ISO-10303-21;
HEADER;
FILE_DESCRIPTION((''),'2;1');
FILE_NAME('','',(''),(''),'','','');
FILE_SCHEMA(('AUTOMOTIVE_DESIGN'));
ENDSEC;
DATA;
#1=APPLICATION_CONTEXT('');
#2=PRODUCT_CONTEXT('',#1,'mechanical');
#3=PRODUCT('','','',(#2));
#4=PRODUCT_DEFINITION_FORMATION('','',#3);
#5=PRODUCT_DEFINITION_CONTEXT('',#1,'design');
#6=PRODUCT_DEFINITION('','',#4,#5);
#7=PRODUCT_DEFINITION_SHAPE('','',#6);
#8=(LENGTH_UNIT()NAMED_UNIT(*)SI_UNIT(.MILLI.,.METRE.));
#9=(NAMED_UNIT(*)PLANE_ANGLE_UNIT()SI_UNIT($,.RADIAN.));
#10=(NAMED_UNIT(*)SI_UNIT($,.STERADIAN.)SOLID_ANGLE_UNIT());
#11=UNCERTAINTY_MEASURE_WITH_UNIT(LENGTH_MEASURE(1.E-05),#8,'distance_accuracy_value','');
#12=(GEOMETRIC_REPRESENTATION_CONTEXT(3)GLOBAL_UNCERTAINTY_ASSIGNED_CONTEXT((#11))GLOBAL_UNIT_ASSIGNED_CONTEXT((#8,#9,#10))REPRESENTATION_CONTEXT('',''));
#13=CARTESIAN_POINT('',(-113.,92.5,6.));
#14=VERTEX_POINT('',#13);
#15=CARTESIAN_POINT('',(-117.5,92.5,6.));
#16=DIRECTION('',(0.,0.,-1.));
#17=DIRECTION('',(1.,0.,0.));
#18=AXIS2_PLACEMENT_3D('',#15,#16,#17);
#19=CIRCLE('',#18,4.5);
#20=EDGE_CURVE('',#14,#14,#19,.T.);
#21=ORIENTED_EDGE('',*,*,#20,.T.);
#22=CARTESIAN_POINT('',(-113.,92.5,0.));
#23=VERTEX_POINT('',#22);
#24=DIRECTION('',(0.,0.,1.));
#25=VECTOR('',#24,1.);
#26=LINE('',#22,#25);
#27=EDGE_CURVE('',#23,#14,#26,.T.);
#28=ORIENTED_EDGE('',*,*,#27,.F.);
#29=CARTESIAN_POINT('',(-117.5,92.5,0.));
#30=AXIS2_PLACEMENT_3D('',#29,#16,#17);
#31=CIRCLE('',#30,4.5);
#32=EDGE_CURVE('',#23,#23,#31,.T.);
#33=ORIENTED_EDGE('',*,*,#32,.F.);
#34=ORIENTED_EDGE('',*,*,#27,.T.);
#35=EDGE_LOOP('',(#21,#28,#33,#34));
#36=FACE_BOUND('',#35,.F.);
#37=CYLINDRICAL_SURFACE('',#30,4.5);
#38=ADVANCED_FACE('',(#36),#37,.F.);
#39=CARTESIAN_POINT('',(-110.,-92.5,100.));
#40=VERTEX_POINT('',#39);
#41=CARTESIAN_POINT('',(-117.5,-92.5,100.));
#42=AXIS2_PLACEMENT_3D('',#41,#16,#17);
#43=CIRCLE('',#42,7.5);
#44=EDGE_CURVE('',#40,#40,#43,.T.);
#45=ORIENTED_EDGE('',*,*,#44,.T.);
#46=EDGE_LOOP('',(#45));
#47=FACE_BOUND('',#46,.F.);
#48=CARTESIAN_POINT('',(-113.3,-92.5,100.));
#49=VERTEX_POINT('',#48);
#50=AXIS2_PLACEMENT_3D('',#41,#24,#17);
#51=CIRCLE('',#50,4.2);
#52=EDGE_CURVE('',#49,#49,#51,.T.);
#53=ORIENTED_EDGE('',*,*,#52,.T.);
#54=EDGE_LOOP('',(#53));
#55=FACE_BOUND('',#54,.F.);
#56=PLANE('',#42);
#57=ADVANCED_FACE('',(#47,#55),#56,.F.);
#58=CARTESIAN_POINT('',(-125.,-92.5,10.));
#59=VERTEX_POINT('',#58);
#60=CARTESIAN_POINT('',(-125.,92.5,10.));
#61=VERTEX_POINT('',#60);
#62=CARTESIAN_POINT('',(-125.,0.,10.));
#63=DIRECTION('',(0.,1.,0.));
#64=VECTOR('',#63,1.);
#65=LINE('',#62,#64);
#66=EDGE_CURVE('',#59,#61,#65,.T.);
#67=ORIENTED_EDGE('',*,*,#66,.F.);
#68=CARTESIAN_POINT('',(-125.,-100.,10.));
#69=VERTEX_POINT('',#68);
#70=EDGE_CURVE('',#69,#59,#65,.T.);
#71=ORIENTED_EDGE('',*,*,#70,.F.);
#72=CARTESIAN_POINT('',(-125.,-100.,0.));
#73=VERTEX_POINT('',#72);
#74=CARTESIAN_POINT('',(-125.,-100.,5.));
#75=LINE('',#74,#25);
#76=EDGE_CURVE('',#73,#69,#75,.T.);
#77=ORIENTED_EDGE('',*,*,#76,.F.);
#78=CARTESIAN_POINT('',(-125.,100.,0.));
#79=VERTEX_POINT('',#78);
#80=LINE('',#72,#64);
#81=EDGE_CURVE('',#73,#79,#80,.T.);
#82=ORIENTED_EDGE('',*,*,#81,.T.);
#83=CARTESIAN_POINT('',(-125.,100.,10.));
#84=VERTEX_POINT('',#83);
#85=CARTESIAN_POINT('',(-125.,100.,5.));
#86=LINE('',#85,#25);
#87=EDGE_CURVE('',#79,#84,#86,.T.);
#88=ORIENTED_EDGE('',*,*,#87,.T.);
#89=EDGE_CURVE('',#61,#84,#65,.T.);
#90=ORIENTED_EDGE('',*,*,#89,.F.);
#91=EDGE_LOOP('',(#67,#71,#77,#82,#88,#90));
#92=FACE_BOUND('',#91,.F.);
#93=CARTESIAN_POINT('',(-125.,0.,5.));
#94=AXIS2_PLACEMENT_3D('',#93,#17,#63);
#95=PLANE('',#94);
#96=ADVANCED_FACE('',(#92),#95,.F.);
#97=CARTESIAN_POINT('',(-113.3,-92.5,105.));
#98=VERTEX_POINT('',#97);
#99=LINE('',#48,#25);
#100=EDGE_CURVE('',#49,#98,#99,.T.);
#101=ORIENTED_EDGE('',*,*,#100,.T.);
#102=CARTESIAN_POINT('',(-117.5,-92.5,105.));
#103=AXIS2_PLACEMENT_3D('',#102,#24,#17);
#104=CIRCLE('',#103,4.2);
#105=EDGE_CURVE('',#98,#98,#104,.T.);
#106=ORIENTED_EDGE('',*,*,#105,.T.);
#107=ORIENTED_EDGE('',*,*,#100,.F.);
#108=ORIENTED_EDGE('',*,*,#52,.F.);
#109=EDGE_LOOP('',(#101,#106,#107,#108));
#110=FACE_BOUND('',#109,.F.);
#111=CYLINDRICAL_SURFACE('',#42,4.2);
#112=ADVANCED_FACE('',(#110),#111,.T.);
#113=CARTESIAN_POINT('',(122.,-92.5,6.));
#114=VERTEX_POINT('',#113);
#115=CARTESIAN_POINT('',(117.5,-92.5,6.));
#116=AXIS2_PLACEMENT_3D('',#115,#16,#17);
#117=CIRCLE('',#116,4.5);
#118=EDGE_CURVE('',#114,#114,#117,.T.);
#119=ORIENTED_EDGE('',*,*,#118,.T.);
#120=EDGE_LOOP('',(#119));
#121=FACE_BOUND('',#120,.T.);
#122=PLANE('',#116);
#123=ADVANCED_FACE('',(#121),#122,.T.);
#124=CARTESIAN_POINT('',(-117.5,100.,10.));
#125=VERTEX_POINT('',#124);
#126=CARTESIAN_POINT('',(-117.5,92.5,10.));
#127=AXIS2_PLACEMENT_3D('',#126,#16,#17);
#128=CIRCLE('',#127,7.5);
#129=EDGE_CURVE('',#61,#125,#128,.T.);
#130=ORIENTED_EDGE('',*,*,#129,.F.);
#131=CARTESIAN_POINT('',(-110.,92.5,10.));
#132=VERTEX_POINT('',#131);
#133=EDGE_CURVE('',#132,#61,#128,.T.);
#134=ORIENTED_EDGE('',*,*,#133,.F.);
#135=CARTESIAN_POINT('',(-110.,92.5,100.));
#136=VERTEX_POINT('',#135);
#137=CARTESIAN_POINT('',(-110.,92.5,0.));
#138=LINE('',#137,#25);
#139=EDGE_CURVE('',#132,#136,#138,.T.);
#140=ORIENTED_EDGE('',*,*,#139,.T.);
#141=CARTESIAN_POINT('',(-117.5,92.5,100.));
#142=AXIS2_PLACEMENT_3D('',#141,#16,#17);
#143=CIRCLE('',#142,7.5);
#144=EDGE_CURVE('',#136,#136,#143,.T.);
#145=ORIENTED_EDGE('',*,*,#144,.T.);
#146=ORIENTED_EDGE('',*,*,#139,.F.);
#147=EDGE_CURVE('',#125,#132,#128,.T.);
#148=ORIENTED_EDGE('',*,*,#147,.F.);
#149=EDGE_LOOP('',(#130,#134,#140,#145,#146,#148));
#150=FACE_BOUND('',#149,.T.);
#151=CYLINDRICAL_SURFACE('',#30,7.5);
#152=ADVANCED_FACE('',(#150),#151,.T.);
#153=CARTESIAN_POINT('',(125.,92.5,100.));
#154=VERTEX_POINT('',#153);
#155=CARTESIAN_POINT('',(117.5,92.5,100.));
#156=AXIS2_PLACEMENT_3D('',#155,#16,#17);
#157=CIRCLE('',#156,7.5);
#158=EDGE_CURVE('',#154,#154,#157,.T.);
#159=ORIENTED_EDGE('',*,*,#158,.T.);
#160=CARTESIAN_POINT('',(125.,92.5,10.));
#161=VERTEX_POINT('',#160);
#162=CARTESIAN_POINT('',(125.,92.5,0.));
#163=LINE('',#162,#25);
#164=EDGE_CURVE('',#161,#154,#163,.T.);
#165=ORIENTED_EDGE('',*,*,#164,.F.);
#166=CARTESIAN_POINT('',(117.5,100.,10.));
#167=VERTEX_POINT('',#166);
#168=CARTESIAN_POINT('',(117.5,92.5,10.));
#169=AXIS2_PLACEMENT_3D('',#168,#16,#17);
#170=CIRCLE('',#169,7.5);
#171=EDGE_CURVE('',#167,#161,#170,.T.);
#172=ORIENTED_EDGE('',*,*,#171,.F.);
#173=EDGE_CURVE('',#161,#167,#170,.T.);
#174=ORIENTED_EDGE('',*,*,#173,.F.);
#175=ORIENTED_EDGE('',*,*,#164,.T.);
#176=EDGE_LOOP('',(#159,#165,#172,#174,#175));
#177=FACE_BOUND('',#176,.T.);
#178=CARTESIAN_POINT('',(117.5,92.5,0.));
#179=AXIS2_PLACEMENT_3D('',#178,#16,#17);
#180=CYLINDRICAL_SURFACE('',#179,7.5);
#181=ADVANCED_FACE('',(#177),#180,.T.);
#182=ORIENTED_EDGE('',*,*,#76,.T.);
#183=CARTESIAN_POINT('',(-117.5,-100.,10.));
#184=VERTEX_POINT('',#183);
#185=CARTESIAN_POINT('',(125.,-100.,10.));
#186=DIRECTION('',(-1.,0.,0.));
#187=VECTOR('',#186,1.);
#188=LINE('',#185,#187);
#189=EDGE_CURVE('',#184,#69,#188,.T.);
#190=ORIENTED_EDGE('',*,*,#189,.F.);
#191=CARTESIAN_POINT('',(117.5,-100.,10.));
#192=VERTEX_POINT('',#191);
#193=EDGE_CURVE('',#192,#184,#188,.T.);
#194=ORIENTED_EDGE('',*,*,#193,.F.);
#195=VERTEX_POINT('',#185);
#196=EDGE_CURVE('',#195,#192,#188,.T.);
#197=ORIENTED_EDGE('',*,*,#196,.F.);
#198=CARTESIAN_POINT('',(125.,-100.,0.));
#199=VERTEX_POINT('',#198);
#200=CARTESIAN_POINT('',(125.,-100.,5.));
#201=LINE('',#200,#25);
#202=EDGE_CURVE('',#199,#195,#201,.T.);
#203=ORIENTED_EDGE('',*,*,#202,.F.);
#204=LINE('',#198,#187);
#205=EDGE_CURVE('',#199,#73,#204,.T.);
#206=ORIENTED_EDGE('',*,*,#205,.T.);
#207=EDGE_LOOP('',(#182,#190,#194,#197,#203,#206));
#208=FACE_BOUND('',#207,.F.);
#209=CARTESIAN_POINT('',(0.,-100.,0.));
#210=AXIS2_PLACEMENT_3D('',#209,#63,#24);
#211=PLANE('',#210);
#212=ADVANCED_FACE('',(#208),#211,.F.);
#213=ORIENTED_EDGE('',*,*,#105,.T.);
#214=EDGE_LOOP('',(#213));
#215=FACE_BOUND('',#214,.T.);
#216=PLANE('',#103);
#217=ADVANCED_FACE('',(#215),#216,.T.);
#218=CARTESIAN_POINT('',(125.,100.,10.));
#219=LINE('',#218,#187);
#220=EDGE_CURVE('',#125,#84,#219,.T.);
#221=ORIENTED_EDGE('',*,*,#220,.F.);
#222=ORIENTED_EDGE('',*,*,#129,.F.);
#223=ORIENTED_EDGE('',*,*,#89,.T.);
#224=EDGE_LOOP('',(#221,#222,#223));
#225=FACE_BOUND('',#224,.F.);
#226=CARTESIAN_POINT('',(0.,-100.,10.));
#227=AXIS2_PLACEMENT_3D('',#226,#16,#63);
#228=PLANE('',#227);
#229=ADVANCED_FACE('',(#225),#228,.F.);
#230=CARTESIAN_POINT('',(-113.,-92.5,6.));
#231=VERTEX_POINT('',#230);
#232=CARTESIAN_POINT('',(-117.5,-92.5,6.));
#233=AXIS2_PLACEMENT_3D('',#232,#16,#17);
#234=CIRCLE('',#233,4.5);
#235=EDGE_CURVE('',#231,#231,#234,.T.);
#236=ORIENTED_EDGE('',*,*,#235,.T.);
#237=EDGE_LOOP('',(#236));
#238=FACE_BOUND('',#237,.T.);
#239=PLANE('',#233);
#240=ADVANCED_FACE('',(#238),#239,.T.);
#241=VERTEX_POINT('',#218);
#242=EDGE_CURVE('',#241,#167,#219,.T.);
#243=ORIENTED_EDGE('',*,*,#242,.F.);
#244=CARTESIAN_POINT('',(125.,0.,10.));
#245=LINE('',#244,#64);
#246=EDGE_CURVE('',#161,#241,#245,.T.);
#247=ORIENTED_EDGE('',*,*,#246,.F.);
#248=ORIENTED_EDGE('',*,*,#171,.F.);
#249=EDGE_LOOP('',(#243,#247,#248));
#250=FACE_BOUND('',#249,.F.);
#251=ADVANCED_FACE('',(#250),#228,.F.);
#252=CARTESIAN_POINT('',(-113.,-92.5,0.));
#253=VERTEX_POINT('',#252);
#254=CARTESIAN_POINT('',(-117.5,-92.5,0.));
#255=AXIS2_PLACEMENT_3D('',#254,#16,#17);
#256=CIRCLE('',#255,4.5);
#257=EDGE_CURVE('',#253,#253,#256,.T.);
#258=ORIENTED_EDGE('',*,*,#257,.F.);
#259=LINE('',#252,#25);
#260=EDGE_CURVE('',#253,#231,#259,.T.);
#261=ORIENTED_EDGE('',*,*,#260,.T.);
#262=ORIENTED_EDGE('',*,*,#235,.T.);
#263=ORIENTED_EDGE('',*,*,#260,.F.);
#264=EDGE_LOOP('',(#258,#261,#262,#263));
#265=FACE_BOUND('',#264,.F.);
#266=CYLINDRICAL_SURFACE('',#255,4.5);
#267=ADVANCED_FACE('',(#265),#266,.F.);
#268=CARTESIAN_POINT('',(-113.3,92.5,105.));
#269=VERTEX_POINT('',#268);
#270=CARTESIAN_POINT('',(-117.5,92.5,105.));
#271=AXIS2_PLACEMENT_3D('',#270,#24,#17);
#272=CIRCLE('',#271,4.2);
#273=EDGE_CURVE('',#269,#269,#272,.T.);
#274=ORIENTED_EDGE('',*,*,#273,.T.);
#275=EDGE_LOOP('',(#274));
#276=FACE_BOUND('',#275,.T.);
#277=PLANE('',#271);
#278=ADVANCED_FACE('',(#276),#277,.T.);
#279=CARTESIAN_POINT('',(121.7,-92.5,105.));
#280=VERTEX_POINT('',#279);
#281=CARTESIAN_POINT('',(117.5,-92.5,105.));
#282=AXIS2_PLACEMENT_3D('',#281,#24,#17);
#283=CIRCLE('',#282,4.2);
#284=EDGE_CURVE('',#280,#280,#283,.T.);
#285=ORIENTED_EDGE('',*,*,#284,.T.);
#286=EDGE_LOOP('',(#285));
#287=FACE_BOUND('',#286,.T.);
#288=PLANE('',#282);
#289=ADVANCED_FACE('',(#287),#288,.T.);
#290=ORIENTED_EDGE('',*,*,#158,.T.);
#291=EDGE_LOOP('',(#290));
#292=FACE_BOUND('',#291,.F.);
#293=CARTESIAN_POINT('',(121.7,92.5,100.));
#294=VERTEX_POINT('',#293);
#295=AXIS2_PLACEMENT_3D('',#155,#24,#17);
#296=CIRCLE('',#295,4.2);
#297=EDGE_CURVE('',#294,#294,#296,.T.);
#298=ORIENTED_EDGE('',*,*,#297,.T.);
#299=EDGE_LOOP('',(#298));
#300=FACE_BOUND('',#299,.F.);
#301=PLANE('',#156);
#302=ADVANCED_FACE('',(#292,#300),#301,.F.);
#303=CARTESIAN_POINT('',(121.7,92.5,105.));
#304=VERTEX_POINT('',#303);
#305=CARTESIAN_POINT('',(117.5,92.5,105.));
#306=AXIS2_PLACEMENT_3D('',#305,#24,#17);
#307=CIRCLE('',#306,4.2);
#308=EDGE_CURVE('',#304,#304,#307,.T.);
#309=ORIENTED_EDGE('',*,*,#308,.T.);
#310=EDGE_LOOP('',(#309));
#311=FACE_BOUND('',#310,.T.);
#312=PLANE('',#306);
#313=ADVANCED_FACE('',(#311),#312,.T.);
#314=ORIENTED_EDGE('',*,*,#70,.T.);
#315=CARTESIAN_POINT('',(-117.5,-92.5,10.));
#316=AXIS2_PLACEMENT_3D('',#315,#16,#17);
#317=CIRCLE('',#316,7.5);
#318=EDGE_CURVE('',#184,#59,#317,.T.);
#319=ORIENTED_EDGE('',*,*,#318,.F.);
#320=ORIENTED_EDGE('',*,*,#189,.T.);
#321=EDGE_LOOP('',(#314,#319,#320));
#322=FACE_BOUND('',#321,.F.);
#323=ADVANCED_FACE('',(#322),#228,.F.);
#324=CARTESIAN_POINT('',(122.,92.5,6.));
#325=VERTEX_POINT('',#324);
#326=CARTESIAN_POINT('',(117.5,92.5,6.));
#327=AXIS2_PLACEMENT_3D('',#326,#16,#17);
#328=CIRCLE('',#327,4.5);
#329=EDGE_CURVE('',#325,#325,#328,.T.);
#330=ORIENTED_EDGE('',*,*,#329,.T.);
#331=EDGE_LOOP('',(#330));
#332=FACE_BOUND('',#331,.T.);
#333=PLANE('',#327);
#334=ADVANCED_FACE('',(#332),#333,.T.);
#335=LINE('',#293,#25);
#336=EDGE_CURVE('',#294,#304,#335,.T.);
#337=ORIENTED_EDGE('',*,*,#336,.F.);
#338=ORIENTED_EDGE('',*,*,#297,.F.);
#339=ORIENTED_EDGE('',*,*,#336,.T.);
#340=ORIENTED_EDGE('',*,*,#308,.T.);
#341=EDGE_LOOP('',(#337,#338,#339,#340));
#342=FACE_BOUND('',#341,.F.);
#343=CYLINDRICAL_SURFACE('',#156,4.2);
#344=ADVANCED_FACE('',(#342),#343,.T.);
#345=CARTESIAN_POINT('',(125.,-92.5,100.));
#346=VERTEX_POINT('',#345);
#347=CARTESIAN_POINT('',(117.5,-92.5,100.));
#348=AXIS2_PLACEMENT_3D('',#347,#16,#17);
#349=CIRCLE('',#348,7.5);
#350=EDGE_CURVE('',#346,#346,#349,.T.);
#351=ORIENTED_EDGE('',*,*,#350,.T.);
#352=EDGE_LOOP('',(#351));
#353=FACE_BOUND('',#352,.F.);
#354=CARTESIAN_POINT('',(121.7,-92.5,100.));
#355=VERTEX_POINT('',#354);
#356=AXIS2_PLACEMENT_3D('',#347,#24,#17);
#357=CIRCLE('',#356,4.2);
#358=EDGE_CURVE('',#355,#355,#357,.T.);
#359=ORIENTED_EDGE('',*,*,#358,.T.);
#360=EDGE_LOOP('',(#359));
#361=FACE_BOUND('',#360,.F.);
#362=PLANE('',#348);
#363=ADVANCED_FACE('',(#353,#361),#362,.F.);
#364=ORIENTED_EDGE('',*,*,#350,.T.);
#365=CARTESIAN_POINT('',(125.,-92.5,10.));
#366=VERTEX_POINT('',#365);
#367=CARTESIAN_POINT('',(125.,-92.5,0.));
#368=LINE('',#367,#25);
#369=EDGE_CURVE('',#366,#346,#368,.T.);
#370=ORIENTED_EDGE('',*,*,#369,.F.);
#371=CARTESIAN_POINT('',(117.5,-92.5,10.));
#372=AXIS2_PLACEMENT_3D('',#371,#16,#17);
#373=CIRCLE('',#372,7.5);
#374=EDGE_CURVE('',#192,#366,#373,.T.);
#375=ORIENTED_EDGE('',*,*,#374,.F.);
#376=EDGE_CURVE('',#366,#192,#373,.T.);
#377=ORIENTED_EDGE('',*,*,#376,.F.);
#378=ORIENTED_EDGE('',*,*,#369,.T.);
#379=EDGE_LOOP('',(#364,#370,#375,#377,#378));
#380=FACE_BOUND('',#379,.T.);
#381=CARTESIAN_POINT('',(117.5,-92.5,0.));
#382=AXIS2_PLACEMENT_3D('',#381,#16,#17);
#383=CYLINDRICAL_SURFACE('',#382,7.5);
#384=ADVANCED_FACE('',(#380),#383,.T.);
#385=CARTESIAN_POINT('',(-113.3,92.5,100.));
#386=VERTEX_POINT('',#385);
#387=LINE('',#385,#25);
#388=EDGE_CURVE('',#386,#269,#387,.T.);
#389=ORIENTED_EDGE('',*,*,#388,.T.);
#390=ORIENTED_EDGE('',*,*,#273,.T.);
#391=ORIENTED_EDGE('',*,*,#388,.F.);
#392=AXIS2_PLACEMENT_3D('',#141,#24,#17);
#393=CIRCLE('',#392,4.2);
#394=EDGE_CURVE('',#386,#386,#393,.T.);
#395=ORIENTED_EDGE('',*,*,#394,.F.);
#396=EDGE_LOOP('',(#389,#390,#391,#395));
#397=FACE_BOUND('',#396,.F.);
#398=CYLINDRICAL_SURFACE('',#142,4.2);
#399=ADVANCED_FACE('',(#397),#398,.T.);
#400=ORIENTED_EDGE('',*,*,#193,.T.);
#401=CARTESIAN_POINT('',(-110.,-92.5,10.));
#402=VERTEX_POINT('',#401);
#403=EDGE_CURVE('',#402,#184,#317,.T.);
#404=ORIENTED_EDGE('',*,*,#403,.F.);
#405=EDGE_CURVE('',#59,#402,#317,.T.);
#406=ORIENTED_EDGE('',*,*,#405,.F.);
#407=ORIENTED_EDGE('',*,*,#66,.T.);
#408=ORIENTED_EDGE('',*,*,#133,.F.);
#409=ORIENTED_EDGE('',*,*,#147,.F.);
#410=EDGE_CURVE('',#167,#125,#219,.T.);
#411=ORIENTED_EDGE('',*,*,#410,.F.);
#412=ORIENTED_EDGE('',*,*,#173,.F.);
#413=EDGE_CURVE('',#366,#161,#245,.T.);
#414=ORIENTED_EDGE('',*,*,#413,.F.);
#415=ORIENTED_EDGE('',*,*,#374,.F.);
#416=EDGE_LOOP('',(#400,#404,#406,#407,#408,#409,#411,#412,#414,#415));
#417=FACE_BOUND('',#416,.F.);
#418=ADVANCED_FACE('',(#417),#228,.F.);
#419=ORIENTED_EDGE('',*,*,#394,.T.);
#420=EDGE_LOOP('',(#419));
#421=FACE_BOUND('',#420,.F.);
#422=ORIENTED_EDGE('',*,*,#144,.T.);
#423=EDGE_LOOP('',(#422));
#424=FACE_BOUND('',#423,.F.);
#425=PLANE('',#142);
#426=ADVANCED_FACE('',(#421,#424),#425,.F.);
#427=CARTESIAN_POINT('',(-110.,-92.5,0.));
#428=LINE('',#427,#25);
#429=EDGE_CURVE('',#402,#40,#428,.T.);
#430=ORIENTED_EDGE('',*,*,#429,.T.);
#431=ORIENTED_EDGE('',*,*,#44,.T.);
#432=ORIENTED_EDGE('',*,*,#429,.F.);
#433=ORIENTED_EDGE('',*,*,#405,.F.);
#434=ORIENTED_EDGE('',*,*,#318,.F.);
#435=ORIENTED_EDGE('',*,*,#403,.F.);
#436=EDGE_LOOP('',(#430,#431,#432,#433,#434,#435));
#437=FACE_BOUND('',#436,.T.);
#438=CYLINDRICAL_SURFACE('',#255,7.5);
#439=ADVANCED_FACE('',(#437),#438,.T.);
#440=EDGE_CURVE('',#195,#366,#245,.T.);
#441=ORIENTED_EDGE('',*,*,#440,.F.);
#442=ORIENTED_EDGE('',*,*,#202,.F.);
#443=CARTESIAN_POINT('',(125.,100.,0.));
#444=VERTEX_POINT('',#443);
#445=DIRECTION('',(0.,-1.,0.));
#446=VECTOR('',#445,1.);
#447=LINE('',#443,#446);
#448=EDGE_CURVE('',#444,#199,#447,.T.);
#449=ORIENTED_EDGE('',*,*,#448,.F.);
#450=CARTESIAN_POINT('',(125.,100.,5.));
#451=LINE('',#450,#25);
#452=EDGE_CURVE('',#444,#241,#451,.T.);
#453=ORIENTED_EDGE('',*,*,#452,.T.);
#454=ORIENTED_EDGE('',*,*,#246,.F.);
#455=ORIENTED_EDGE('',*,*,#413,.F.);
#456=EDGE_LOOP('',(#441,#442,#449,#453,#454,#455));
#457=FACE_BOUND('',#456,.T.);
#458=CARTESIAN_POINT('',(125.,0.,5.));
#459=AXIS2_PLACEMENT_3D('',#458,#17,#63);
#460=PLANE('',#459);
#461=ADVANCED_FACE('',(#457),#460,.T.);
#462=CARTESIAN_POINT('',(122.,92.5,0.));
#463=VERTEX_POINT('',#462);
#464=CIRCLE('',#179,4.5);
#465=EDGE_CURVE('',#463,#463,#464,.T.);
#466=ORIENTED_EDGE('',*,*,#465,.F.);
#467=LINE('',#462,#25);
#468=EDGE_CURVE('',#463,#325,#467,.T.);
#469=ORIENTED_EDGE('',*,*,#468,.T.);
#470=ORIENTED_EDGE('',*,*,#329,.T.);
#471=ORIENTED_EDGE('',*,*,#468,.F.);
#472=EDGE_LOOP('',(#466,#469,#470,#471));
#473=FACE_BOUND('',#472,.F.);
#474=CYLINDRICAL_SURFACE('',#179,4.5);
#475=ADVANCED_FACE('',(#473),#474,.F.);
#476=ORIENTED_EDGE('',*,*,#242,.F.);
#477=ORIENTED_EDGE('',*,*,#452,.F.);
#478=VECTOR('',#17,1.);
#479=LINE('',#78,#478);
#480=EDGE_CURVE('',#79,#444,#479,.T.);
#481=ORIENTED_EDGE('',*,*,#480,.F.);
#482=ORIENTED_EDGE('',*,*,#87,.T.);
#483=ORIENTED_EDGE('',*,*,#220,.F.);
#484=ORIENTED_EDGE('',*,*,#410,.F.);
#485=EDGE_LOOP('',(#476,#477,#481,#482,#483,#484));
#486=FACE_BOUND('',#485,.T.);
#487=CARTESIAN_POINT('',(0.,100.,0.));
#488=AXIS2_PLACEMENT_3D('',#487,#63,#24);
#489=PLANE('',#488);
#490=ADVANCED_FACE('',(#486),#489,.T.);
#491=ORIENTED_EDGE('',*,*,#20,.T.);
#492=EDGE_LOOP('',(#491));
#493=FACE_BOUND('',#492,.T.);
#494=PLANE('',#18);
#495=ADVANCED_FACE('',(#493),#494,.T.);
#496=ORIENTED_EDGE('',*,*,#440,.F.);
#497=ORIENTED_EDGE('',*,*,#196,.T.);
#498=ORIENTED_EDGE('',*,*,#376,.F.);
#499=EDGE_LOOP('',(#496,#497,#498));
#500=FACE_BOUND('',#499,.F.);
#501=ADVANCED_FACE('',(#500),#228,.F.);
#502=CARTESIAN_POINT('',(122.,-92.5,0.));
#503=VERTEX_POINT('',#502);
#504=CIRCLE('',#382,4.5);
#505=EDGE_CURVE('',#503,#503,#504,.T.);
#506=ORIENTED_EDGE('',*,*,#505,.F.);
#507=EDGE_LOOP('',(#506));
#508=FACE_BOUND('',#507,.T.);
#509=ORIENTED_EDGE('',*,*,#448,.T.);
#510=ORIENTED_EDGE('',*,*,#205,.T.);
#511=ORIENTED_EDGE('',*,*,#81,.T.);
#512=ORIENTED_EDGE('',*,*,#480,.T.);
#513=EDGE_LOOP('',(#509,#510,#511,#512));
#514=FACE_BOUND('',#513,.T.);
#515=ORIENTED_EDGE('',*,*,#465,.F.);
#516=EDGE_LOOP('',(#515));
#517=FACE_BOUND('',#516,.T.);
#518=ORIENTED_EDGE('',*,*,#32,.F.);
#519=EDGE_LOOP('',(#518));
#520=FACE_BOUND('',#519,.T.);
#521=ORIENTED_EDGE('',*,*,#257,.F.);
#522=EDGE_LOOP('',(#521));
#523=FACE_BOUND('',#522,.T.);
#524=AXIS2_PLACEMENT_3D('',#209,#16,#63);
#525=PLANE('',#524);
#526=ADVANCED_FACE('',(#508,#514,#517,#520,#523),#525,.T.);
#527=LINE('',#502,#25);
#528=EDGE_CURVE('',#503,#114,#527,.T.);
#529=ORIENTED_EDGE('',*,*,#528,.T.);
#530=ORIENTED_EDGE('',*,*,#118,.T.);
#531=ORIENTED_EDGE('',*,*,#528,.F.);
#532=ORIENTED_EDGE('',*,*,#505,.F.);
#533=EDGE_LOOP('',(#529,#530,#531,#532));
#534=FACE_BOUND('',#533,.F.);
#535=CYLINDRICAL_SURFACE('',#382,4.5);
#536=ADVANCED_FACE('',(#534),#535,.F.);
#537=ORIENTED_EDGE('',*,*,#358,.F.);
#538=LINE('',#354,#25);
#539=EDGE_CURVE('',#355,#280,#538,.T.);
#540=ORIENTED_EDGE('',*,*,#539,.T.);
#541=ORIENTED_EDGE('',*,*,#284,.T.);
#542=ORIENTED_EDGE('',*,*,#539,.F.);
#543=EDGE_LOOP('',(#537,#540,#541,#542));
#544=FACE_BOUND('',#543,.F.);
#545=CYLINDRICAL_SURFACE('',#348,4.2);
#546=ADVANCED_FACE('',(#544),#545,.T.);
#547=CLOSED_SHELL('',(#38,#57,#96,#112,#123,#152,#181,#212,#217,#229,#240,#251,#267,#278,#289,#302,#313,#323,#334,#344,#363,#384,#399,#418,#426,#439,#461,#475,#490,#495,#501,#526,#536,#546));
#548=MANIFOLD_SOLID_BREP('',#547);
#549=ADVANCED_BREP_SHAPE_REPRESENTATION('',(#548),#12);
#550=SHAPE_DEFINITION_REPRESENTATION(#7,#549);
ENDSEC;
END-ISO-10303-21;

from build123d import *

# Parameters (mm, degrees)
F2_W     = 200
F2_H     = 10
F3_DEPTH = 125
F4_R     = 7.5
F5_DEPTH = 100
F6_R     = 4.5
F7_DEPTH = 6
F8_R     = 4.2
F9_DEPTH = 5


with BuildPart() as f3:
    # F2 (on Right) → F3 (new body, symmetric)
    with BuildSketch(Plane.YZ):
        with Locations((0, 5)):
            Rectangle(F2_W, F2_H)
    extrude(amount=F3_DEPTH, both=True)

    # F4 (on face) → F5 (join)
    with BuildSketch(Plane(origin=(0, 0, 0), x_dir=(1, 0, 0), z_dir=(0, 0, -1))):
        with Locations((-117.5, -92.5)):
            Circle(F4_R)
        with Locations((117.5, -92.5)):
            Circle(F4_R)
        with Locations((117.5, 92.5)):
            Circle(F4_R)
        with Locations((-117.5, 92.5)):
            Circle(F4_R)
    extrude(amount=-F5_DEPTH)

    # F6 (on face) → F7 (cut)
    with BuildSketch(Plane(origin=(0, 0, 0), x_dir=(1, 0, 0), z_dir=(0, 0, -1))):
        with Locations((-117.5, 92.5)):
            Circle(F6_R)
        with Locations((-117.5, -92.5)):
            Circle(F6_R)
        with Locations((117.5, 92.5)):
            Circle(F6_R)
        with Locations((117.5, -92.5)):
            Circle(F6_R)
    extrude(amount=-F7_DEPTH, mode=Mode.SUBTRACT)

    # F8 (on face) → F9 (join)
    with BuildSketch(Plane.XY.offset(100)):
        with Locations((-117.5, 92.5)):
            Circle(F8_R)
        with Locations((117.5, 92.5)):
            Circle(F8_R)
        with Locations((117.5, -92.5)):
            Circle(F8_R)
        with Locations((-117.5, -92.5)):
            Circle(F8_R)
    extrude(amount=F9_DEPTH)


solid = f3.part
